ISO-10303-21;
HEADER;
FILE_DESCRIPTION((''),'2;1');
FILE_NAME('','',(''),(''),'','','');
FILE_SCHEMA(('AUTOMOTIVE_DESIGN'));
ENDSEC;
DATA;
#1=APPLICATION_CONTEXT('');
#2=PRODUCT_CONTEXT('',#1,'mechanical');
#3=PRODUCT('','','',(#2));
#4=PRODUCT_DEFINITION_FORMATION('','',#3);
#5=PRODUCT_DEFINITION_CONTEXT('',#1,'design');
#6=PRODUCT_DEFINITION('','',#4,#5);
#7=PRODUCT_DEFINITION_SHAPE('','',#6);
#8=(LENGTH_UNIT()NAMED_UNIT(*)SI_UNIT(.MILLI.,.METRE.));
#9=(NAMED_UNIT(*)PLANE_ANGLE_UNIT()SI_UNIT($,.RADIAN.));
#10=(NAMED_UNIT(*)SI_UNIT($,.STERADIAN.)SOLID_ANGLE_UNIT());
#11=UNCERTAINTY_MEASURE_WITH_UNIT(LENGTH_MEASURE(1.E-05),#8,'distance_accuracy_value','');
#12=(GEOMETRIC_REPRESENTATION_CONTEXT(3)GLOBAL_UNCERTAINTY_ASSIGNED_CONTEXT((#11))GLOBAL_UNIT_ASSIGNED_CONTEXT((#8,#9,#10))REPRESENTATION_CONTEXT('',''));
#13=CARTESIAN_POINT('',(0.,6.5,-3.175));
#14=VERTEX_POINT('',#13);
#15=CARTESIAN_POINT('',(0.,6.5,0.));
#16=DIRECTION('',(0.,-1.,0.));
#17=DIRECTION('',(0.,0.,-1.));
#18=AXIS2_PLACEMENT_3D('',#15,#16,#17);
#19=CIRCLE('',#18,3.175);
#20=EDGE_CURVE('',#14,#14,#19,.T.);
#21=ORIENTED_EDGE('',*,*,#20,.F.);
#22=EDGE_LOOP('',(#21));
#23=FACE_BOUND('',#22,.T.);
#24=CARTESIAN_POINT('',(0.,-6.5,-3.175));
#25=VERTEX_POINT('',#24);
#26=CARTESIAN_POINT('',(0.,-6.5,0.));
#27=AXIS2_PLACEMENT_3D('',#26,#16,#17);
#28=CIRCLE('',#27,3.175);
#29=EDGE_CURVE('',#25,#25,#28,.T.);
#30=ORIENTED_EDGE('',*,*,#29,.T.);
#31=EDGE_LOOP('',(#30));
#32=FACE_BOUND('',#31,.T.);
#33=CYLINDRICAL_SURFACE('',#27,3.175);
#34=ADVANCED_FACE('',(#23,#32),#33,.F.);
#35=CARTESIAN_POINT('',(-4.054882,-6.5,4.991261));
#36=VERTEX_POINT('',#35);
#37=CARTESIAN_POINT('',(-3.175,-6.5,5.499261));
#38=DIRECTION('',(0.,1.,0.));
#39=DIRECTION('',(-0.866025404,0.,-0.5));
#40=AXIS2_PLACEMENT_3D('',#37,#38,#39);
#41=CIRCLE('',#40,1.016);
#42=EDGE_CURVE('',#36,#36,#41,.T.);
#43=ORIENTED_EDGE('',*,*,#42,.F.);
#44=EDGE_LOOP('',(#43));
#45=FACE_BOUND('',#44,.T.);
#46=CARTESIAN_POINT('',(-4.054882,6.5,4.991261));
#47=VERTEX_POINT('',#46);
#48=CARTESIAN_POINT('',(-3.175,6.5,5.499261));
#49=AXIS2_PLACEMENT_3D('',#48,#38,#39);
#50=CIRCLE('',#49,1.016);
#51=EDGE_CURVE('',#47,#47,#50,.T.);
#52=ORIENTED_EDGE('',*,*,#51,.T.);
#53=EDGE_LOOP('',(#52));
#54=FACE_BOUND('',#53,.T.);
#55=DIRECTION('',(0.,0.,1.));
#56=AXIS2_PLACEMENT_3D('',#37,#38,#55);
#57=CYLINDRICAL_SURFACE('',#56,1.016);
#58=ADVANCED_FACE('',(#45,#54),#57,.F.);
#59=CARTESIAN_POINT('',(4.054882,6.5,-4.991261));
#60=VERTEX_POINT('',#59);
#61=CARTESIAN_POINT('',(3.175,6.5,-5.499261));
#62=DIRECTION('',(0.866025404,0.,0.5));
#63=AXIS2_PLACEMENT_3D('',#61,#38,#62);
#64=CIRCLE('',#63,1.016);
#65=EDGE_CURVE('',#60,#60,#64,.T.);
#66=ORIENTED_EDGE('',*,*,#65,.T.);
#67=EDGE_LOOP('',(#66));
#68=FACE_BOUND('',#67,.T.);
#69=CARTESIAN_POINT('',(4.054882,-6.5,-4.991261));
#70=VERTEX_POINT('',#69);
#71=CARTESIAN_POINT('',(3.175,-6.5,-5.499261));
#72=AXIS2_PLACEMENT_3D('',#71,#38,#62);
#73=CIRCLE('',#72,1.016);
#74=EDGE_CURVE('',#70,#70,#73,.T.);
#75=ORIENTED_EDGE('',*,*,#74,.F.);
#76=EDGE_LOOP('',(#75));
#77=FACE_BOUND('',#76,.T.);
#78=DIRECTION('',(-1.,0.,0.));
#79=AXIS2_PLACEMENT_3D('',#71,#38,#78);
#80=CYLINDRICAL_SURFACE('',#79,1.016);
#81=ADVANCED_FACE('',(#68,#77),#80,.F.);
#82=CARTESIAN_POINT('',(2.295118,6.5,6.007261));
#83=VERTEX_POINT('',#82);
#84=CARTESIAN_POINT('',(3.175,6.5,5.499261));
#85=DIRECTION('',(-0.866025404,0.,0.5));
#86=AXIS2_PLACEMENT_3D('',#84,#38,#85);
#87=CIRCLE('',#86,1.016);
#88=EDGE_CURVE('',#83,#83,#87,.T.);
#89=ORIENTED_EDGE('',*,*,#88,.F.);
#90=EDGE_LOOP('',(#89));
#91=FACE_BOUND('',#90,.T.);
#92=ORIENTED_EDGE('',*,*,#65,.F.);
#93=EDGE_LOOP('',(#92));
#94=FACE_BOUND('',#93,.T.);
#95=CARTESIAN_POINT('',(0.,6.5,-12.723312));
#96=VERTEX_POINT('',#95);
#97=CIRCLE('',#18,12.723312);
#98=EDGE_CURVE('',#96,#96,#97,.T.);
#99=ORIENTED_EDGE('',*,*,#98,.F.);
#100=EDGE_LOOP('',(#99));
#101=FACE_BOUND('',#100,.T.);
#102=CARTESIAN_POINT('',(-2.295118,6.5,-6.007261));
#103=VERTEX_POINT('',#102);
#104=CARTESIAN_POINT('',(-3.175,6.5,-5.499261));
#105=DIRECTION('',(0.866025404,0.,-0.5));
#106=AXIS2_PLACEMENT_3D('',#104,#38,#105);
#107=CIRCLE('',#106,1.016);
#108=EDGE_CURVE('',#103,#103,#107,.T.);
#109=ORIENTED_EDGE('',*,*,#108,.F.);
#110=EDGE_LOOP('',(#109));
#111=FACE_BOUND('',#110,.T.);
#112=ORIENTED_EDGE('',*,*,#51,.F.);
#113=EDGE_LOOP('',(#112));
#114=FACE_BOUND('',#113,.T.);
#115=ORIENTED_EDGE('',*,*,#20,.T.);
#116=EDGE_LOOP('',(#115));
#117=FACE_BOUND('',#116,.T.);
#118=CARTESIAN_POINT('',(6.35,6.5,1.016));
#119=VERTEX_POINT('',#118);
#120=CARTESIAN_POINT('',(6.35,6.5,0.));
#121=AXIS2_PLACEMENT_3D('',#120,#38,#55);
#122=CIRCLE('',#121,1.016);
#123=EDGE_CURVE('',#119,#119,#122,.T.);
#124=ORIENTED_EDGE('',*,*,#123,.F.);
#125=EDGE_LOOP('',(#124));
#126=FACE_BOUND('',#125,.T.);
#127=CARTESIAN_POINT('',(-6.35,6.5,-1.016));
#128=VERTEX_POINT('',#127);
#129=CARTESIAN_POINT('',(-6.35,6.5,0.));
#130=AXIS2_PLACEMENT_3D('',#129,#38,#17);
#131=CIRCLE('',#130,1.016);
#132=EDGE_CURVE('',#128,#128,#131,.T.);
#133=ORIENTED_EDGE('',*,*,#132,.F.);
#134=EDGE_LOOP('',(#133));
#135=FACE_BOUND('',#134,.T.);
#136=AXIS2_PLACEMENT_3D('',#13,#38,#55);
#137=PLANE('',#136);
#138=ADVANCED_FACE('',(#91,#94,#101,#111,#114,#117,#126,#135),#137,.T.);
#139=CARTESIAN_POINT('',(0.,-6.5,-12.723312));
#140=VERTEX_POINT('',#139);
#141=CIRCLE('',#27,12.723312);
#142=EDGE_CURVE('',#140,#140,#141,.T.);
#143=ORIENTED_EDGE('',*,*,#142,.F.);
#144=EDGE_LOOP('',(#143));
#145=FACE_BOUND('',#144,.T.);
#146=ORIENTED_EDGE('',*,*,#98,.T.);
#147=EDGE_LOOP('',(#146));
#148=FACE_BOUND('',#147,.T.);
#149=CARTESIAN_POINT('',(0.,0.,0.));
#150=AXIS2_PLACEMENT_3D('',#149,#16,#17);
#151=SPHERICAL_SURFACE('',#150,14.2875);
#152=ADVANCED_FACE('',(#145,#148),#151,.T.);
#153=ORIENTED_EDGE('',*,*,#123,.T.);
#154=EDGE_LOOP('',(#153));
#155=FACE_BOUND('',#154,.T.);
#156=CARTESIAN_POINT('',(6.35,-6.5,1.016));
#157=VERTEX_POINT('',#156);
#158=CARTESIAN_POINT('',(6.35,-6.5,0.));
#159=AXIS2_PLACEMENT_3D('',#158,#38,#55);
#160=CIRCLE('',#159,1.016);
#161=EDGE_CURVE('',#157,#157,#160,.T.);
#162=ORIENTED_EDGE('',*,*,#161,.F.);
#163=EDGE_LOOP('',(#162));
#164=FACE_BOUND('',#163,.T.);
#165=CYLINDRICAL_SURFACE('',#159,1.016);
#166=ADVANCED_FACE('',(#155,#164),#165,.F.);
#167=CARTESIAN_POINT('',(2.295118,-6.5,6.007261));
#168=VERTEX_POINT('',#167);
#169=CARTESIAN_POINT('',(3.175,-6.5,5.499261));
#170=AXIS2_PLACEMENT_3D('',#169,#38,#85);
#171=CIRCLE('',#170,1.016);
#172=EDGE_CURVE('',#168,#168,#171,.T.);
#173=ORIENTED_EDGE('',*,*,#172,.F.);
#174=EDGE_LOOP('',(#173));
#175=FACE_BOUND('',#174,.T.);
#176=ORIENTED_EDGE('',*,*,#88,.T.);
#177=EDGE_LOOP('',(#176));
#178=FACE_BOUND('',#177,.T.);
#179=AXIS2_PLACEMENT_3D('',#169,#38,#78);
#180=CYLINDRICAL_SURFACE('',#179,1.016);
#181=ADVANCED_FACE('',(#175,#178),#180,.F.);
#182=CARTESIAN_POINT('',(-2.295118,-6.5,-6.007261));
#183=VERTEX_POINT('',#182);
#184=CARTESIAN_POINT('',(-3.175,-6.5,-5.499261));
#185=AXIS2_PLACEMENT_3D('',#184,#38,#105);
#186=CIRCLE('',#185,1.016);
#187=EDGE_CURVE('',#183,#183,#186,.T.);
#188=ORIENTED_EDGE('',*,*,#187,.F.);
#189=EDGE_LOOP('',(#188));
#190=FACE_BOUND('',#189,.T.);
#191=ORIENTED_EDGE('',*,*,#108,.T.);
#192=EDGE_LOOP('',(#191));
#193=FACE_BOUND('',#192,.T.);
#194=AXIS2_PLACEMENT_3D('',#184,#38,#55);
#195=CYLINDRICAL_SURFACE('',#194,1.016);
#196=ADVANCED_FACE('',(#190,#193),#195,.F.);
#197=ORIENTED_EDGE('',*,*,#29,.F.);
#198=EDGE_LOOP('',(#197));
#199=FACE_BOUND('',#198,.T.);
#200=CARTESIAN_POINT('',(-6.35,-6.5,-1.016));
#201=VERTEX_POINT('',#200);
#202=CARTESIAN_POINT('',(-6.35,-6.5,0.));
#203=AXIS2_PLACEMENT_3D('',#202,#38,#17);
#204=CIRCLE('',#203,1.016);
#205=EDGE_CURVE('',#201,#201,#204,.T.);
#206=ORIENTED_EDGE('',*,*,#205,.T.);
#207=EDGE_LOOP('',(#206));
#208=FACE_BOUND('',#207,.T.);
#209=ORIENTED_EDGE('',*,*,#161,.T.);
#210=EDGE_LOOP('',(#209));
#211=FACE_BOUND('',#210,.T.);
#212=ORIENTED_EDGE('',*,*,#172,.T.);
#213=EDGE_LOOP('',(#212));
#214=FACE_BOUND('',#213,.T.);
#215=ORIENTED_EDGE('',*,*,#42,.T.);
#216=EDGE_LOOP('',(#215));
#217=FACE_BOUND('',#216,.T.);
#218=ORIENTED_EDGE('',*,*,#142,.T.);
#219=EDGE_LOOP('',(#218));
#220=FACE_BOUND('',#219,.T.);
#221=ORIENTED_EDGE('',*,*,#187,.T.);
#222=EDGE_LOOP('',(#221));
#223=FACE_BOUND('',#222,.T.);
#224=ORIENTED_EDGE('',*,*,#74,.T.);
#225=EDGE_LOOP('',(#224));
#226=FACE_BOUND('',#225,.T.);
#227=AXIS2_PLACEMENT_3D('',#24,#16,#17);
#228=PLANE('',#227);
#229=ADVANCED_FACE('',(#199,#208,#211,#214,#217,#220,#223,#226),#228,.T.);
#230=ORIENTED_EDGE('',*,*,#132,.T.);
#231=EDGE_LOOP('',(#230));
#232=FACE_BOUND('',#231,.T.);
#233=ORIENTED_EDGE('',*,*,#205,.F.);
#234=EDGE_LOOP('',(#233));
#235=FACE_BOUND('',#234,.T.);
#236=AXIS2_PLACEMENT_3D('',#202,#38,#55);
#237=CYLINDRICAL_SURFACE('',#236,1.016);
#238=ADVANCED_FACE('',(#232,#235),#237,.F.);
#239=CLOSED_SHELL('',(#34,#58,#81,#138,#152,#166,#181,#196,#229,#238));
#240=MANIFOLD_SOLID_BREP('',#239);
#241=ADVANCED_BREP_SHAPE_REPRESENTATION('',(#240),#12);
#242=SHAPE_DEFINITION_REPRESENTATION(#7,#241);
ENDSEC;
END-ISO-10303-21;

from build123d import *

# Parameters (mm, degrees)
SKETCH3_R          = 1.016
CUT_EXTRUDE1_DEPTH = 7.5
CIRPATTERN1_COUNT  = 6


with BuildPart() as part:
    # Sketch1 → Revolve1 (revolve)
    with BuildSketch(Plane(origin=(0, 0, 0), x_dir=(0, 0, -1), z_dir=(1, 0, 0))):
        with BuildLine():
            Line((3.175, 6.5), (12.723311528, 6.5))
            ThreePointArc((12.723311528, 6.5), (14.2875, 0), (12.723311528, -6.5))
            Line((12.723311528, -6.5), (3.175, -6.5))
            Line((3.175, -6.5), (3.175, 6.5))
        make_face()
    revolve(axis=Axis((0, -6.5, 0), (0, 1, 0)))

    # Sketch3 → Cut-Extrude1 (cut, symmetric)
    with BuildSketch(Plane(origin=(0, 0, 0), x_dir=(1, 0, 0), z_dir=(0, 1, 0))):
        with Locations((6.35, 0)):
            Circle(SKETCH3_R)
    cut_extrude1 = extrude(amount=CUT_EXTRUDE1_DEPTH, both=True, mode=Mode.SUBTRACT)

    # CirPattern1: Cut-Extrude1 ×6 about axis
    cirpattern1_axis = Axis((0, 0, 0), (0, 1, 0))
    for i in range(1, CIRPATTERN1_COUNT):
        add(cut_extrude1.rotate(cirpattern1_axis, i * 360 / CIRPATTERN1_COUNT), mode=Mode.SUBTRACT)


solid = part.part
